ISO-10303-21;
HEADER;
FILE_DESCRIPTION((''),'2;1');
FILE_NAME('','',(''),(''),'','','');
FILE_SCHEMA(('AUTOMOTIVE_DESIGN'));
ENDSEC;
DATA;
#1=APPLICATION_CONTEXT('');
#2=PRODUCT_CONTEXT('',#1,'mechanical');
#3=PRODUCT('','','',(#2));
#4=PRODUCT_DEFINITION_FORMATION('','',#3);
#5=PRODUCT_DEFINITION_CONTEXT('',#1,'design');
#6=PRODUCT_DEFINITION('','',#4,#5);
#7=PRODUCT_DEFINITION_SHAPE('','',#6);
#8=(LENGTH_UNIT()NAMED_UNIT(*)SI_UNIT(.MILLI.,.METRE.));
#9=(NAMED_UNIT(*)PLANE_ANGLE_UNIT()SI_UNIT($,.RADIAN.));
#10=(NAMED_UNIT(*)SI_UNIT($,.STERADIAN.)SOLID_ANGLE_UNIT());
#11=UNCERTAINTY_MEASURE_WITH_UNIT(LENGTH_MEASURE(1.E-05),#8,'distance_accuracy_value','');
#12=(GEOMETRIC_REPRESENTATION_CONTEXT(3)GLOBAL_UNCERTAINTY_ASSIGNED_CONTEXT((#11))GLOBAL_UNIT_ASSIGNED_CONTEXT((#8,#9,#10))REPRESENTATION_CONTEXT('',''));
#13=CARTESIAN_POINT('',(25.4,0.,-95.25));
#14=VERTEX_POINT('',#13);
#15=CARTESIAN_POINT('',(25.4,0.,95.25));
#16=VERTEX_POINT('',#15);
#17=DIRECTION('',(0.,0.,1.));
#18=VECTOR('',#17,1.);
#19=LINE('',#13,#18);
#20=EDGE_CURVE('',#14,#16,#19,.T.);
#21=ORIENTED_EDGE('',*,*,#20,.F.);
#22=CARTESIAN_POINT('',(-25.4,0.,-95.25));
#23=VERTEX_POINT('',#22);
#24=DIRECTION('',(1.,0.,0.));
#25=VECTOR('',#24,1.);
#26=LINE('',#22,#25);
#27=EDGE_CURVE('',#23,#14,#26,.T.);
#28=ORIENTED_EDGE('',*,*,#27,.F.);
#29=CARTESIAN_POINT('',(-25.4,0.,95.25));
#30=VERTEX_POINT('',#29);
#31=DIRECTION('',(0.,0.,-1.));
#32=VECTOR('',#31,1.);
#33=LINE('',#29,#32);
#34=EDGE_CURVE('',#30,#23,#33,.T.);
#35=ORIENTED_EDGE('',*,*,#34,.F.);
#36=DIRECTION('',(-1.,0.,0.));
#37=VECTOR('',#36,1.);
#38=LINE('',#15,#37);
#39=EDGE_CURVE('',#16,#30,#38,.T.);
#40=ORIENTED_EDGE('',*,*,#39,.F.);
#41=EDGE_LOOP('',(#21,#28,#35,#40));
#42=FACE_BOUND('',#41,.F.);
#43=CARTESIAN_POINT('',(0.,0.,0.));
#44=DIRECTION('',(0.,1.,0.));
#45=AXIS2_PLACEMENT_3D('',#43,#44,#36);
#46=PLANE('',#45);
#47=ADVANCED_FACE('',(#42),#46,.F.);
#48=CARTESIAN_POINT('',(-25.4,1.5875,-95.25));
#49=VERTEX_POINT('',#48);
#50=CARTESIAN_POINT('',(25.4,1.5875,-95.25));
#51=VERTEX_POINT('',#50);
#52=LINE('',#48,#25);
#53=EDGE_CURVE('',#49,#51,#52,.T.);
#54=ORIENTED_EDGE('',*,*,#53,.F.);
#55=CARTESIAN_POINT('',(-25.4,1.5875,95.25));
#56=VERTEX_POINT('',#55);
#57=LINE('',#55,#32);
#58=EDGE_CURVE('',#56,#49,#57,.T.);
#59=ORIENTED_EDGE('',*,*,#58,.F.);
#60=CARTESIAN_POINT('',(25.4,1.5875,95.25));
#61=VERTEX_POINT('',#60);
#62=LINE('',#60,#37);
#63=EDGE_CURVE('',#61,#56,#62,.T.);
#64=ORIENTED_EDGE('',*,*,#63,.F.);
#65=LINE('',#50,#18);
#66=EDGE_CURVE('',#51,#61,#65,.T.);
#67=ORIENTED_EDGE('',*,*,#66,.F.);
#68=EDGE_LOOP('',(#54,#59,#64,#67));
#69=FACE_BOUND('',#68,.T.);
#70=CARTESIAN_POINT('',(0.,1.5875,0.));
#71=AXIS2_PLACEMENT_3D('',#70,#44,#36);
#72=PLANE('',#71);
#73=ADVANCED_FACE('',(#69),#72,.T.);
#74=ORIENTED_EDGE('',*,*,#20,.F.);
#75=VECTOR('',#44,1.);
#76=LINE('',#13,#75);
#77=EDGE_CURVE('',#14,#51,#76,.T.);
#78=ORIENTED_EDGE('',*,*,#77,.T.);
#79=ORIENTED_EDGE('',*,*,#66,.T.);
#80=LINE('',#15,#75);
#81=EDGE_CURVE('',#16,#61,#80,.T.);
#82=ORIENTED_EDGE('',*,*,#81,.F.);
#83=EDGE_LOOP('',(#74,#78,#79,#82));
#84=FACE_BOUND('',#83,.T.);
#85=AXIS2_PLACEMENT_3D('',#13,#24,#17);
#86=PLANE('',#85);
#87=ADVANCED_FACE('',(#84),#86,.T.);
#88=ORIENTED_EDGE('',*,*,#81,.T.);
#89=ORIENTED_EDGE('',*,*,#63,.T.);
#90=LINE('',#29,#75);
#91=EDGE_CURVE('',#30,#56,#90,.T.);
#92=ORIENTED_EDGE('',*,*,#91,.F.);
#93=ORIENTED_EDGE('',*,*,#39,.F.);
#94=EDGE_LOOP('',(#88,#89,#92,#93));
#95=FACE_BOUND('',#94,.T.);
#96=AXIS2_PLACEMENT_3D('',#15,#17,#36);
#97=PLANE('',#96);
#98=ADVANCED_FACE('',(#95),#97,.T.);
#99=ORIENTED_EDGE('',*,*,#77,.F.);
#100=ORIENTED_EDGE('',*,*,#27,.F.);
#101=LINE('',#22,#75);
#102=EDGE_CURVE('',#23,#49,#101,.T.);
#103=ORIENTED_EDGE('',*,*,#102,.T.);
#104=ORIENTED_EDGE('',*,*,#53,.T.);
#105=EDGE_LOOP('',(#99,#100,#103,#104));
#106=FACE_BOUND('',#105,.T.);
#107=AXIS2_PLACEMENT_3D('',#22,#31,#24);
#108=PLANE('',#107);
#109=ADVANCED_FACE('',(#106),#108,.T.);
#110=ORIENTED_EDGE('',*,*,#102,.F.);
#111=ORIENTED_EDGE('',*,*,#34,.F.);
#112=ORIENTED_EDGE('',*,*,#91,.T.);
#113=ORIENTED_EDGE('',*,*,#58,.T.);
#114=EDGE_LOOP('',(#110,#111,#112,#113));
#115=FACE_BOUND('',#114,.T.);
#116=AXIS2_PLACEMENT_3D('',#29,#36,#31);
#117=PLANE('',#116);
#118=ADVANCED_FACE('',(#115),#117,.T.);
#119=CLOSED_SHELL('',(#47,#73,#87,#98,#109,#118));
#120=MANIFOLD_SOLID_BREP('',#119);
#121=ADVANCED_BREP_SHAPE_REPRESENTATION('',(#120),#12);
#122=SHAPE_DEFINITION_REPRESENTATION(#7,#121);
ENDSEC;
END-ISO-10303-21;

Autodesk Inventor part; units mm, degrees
ref_plane "YZ Plane" through (0, 0, 0) normal (1, 0, 0) x (0, 1, 0)
ref_plane "XZ Plane" through (0, 0, 0) normal (0, 1, 0) x (-1, 0, 0)
ref_plane "XY Plane" through (0, 0, 0) normal (0, 0, 1) x (1, 0, 0)
sketch "Sketch1" plane through (0, 0, 0) normal (0, 1, 0) x (-1, 0, 0)
  line L0 (25.4, -95.25) -> (-25.4, -95.25)
  line L1 (-25.4, -95.25) -> (-25.4, 95.25)
  line L2 (-25.4, 95.25) -> (25.4, 95.25)
  line L3 (25.4, 95.25) -> (25.4, -95.25)
  line L4 (25.4, -95.25) -> (-25.4, 95.25) construction
  line L5 (-25.4, -95.25) -> (25.4, 95.25) construction
  point P0 (0, 0)
  dimension "d0" = 50.8
  dimension "d1" = 190.5
extrude "Extrusion1" add sketch "Sketch1" along normal blind 1.5875
properties part number "side" material "Polycarbonate, Clear"
